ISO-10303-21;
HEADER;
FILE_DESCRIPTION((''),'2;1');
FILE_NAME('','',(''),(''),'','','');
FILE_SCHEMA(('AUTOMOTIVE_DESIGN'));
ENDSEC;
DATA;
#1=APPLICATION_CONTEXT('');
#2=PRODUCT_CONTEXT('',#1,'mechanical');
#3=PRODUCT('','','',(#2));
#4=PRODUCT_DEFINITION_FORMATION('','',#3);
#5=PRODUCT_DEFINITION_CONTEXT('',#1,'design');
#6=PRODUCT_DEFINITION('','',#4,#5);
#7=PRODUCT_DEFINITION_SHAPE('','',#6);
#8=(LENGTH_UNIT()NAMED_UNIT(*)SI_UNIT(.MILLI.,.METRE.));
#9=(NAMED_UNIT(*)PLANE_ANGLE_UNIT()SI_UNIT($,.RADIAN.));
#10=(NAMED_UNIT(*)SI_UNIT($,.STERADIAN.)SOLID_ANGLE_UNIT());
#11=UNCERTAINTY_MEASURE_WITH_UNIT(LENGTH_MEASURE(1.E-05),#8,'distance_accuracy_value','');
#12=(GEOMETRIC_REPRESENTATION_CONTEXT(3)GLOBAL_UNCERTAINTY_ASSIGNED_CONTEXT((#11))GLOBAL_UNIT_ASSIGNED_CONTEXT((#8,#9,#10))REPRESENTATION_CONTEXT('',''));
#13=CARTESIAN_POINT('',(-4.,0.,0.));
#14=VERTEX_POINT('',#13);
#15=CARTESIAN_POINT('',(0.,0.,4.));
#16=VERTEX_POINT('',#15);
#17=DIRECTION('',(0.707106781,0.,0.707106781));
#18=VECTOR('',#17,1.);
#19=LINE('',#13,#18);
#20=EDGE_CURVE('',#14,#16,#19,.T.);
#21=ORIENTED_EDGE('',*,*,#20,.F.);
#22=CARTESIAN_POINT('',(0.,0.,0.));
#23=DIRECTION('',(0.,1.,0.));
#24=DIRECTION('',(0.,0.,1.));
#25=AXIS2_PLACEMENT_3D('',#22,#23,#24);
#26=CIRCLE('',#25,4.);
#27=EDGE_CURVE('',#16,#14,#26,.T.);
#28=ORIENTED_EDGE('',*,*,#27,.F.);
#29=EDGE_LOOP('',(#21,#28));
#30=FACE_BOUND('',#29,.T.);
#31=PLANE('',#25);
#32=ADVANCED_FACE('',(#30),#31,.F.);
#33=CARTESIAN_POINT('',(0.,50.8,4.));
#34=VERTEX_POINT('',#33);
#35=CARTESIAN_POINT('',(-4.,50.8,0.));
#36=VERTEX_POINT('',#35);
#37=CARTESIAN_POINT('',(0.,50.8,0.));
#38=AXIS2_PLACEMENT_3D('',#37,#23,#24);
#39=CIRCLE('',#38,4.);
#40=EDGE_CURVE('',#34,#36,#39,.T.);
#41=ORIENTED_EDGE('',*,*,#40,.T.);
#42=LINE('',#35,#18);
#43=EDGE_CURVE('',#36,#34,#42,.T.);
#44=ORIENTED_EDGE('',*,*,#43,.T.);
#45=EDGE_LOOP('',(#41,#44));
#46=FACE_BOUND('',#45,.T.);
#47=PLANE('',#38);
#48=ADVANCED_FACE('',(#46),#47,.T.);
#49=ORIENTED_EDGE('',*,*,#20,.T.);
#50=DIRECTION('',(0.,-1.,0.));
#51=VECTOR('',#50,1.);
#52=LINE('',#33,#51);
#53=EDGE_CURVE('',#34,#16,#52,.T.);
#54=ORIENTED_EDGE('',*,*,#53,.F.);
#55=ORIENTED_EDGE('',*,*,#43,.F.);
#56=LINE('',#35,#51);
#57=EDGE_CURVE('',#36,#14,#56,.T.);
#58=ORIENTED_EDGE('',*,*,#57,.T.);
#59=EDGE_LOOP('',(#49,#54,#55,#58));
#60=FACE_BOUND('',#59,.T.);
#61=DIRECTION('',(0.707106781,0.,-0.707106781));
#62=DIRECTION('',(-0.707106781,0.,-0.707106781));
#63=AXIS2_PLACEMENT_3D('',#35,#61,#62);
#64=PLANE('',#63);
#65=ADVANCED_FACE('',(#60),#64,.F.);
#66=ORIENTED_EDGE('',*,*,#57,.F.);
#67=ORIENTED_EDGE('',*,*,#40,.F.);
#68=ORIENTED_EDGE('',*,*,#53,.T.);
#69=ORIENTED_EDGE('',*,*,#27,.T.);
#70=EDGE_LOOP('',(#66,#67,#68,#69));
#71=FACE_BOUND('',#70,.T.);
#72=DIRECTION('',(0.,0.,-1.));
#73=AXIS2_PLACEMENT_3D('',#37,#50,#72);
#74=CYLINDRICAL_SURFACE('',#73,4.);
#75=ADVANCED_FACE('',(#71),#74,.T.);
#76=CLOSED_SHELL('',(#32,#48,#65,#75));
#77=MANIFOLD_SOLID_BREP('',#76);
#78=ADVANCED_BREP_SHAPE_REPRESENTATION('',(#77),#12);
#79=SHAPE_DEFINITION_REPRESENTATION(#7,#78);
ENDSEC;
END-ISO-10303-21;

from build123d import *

# Parameters (mm, degrees)
BOSS_EXTRUDE1_DEPTH = 50.8


with BuildPart() as part:
    # Sketch1 → Boss-Extrude1 (new body)
    with BuildSketch(Plane(origin=(0, 0, 0), x_dir=(1, 0, 0), z_dir=(0, 1, 0))):
        with BuildLine():
            Line((-4, 0), (0, -4))
            ThreePointArc((0, -4), (2.828427125, 2.828427125), (-4, 0))
        make_face()
    extrude(amount=BOSS_EXTRUDE1_DEPTH)


solid = part.part
